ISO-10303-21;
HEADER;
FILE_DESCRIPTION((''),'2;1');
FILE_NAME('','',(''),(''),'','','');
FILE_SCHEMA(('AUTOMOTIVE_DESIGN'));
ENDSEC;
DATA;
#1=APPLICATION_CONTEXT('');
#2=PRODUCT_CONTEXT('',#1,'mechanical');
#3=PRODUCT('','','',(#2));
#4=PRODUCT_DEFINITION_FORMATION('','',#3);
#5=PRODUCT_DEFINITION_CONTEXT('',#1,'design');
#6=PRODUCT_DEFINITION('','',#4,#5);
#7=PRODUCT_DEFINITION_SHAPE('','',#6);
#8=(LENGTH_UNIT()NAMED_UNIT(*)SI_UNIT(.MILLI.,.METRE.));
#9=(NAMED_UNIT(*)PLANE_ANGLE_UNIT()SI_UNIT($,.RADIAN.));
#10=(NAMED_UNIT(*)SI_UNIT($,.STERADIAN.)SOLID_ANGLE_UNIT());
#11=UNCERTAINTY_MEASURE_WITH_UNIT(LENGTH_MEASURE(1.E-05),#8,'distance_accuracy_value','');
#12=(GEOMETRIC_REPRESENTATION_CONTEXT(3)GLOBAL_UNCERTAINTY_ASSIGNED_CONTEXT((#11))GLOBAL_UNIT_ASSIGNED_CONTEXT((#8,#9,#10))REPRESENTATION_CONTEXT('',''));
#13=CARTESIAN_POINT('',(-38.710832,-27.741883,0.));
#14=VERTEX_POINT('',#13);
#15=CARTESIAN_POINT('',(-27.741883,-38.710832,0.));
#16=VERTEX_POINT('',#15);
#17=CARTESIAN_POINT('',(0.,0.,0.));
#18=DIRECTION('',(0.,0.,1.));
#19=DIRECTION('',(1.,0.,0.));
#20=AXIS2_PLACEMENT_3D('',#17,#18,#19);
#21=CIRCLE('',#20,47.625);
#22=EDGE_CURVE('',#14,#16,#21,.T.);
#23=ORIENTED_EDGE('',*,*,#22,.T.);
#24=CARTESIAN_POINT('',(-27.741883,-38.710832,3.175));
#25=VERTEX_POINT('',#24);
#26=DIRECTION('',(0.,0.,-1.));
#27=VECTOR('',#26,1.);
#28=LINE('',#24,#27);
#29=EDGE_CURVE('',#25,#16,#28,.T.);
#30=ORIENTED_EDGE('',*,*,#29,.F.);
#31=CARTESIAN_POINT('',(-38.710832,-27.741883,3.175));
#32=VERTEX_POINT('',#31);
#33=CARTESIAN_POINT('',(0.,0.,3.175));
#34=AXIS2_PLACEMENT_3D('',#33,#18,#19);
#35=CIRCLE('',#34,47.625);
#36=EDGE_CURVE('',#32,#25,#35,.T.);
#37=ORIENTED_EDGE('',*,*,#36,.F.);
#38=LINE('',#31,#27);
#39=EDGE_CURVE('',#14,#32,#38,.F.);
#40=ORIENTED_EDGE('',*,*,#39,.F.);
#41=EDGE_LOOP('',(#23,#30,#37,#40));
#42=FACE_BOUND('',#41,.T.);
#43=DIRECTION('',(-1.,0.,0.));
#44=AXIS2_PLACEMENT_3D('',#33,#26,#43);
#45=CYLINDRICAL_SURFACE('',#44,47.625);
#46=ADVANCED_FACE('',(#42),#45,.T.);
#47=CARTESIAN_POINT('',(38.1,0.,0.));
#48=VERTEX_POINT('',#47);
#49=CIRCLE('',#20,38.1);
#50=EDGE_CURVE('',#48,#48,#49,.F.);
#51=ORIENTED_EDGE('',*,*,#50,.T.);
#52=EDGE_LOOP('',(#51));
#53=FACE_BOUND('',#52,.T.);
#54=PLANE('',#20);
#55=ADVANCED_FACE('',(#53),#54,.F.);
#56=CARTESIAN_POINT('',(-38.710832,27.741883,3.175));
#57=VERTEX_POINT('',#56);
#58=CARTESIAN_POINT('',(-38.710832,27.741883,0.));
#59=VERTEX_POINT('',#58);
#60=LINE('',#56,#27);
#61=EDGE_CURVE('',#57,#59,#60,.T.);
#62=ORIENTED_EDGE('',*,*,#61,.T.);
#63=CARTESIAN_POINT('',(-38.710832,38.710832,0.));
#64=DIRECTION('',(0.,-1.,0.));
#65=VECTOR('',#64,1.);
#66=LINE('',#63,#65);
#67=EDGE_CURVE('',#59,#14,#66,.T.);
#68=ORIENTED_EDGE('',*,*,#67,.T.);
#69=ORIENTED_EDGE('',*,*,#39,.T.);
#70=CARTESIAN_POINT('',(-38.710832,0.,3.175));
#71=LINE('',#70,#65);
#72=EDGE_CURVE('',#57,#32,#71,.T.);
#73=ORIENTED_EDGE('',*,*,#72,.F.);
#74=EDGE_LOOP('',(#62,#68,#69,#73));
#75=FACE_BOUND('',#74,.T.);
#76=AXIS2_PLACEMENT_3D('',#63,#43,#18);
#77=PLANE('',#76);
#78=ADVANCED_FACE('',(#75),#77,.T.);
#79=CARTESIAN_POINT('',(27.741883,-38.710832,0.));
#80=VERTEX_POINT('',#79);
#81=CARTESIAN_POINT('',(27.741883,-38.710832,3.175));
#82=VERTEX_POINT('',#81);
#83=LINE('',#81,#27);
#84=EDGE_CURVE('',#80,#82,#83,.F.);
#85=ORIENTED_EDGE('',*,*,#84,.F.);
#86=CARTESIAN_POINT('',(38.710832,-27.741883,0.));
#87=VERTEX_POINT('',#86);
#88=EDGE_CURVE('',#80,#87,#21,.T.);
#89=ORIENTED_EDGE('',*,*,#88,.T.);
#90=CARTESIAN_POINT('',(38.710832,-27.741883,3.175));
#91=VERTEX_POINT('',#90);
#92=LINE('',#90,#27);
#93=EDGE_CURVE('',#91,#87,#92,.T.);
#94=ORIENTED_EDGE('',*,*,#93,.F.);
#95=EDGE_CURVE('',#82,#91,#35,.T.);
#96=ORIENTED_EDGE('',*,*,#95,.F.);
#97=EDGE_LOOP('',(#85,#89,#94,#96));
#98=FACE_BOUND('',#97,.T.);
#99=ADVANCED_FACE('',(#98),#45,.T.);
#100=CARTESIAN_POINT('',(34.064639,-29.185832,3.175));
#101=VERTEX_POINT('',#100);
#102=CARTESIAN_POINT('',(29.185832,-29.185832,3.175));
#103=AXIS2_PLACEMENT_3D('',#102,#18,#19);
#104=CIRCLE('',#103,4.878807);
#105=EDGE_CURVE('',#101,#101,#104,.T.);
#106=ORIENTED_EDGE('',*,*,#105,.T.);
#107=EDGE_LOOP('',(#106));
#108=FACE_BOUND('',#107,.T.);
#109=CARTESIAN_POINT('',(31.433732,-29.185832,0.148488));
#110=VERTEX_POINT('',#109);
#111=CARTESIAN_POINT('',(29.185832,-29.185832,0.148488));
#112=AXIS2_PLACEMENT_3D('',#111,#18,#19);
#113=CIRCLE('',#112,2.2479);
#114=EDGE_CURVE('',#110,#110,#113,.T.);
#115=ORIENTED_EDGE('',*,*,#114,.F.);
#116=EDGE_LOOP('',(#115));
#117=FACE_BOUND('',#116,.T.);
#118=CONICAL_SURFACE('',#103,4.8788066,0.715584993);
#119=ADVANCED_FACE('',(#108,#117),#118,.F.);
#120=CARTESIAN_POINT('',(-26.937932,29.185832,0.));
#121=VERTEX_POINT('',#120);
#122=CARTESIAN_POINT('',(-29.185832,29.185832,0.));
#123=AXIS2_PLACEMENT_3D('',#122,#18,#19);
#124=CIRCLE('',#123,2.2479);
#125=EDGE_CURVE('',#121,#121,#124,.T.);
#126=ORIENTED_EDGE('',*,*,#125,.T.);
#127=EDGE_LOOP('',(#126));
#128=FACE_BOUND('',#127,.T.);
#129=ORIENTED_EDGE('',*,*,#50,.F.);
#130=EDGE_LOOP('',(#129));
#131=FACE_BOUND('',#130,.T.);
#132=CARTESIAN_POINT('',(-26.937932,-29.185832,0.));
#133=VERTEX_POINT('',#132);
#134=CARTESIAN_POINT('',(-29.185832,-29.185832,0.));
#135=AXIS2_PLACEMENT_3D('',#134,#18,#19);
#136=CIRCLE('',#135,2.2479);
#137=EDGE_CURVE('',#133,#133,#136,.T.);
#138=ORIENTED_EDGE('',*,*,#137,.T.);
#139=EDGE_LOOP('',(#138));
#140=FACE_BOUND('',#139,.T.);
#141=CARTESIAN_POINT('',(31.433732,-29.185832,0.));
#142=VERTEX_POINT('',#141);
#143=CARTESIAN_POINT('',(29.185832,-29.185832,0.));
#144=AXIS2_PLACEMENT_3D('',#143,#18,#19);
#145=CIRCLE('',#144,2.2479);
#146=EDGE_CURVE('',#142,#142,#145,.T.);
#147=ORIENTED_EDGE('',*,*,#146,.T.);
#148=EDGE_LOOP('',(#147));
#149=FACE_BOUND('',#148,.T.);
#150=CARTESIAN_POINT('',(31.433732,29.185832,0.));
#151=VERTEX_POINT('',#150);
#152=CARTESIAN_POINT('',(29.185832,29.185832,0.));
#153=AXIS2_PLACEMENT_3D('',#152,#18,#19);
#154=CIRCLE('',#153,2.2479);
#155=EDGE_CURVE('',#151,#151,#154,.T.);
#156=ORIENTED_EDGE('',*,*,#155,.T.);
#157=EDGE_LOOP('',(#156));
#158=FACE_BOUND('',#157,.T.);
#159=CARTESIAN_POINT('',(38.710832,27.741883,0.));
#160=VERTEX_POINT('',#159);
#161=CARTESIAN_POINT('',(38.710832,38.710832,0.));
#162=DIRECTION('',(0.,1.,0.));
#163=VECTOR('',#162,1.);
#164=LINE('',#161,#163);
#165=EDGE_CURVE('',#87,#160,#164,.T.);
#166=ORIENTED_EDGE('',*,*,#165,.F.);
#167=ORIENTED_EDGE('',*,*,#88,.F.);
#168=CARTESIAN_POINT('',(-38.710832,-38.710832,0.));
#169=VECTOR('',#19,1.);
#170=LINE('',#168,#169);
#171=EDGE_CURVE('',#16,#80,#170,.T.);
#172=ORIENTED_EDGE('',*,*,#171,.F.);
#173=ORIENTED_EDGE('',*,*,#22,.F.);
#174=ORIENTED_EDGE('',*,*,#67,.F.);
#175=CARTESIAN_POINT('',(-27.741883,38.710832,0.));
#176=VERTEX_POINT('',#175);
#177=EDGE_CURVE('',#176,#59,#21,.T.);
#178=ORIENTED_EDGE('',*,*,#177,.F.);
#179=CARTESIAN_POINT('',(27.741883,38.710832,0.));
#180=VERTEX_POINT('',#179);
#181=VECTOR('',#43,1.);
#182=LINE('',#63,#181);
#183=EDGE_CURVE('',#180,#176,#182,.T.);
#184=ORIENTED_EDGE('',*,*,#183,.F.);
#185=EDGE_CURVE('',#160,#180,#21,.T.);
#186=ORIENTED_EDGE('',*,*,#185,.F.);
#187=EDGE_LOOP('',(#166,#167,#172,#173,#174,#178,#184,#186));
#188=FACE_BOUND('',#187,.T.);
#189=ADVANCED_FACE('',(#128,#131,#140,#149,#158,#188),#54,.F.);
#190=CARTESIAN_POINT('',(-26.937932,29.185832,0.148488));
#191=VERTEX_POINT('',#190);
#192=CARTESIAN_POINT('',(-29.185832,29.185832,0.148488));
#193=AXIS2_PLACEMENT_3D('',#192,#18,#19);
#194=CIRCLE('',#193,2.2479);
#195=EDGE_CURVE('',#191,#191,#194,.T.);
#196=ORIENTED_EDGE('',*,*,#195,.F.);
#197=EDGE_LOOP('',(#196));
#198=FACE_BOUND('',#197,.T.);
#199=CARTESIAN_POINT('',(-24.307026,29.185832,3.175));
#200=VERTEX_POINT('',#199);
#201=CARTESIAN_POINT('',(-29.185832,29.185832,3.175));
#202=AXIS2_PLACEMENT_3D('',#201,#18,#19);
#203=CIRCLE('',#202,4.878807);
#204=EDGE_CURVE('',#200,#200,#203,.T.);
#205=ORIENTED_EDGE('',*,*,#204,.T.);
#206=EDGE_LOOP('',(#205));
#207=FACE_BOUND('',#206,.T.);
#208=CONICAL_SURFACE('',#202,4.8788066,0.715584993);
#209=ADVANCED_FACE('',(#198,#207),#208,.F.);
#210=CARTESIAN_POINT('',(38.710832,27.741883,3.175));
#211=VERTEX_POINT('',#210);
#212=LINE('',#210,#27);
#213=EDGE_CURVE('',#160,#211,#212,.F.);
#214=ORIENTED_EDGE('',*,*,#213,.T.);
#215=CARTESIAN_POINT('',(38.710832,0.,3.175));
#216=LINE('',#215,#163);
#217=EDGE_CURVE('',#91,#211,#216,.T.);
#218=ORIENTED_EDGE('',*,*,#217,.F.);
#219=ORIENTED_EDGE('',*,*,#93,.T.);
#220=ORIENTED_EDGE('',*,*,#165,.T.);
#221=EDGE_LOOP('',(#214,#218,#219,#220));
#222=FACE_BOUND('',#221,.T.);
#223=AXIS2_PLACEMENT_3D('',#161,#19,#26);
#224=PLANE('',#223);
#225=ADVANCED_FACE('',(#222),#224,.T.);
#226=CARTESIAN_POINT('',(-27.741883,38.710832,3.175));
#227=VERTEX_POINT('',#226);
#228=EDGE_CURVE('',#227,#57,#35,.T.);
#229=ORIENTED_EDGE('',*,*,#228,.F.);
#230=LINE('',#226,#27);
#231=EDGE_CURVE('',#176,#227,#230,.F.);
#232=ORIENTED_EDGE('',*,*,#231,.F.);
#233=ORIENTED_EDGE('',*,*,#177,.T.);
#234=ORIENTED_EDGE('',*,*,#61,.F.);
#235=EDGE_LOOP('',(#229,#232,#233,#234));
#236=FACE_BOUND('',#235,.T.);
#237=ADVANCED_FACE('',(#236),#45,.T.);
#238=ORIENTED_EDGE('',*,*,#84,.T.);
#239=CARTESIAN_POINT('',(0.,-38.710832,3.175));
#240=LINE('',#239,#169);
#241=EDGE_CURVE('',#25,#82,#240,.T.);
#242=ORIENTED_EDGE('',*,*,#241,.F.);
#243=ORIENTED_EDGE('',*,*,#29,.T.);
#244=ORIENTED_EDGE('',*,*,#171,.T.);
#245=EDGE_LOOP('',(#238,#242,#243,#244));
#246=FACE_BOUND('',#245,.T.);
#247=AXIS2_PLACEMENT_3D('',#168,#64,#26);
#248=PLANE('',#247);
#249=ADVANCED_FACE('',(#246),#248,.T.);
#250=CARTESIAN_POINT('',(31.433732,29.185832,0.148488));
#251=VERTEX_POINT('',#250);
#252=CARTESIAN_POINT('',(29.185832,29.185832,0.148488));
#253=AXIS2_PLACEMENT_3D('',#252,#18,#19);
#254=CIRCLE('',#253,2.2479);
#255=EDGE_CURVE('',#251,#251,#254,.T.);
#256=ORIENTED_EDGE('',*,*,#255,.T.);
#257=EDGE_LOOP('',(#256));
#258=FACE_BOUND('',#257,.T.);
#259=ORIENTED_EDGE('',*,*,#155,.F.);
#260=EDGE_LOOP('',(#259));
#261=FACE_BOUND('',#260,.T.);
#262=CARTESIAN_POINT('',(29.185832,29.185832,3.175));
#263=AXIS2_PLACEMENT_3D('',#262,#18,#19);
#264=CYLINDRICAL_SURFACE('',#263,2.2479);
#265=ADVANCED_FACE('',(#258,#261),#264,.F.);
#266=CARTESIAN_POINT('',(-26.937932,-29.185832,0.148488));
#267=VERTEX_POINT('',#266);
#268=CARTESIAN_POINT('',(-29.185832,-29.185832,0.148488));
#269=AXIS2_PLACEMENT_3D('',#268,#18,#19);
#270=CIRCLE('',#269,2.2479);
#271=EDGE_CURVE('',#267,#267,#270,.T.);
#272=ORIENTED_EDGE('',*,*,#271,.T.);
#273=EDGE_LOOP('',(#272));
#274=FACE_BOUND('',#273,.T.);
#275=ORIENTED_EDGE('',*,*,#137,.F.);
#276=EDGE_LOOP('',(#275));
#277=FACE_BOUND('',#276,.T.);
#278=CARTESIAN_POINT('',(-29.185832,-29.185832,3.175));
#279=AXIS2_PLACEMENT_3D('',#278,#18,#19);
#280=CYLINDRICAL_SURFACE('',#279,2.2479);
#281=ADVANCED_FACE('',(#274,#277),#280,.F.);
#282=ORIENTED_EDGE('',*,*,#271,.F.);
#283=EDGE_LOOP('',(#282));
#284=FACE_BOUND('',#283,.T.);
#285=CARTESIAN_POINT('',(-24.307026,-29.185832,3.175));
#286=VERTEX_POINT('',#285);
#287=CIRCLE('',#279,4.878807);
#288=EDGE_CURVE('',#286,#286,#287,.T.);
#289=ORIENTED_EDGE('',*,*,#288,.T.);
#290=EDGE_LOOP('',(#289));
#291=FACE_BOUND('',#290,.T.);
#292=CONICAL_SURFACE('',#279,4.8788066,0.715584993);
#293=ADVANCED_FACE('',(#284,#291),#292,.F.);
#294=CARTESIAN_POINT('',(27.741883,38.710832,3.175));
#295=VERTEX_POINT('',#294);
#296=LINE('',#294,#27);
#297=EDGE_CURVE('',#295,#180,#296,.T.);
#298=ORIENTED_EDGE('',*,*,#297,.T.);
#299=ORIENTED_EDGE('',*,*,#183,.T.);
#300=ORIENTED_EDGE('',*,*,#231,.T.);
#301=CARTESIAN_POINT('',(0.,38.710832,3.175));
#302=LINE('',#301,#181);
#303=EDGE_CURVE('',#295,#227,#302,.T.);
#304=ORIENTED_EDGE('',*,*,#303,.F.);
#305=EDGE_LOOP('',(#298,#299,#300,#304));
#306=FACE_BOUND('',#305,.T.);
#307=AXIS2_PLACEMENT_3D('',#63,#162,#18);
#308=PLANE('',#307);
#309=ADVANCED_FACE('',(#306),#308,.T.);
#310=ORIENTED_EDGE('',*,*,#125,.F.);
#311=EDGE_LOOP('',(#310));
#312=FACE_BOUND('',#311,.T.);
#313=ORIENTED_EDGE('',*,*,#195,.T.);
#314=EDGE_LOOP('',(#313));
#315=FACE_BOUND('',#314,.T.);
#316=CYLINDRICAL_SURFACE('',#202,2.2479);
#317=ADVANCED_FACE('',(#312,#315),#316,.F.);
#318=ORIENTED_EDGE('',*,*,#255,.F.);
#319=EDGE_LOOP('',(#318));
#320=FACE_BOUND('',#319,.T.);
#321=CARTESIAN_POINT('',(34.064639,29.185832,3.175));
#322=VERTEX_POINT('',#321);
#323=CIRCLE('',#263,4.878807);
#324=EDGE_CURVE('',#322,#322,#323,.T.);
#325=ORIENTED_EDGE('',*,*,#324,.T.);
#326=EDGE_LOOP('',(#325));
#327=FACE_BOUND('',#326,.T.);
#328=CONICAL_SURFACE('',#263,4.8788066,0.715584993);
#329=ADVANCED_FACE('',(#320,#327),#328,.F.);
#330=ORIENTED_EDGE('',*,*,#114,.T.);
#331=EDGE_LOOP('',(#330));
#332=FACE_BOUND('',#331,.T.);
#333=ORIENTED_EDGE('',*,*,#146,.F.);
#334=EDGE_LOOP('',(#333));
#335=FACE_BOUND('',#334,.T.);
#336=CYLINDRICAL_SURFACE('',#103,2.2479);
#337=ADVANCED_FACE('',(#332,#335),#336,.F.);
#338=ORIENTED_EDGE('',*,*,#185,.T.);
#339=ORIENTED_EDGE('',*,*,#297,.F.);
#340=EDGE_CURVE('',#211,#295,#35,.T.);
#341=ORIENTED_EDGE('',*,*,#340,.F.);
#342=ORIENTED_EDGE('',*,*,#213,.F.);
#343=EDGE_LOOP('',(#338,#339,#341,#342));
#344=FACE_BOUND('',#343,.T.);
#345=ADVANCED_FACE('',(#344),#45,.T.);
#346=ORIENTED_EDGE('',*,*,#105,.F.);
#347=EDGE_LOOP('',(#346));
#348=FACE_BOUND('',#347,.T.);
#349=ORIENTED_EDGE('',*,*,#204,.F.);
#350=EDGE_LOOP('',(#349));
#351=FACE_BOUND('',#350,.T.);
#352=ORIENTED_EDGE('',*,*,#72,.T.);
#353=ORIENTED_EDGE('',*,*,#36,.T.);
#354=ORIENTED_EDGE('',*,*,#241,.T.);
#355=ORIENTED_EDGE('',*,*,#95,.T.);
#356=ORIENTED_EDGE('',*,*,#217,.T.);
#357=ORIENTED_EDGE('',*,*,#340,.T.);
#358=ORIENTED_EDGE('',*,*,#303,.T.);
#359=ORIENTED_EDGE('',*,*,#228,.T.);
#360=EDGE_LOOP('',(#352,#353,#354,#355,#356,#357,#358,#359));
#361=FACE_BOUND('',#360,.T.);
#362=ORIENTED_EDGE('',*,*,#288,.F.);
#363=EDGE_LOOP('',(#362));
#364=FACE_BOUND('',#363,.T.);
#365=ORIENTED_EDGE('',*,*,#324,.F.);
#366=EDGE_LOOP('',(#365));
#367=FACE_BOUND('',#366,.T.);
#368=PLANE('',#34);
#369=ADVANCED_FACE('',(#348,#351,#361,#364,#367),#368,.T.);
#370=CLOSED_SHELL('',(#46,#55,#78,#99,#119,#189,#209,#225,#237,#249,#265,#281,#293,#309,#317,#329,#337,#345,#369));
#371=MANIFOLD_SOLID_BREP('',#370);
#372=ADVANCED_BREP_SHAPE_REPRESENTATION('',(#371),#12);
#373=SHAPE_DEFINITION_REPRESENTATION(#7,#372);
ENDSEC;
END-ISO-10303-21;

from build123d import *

# Parameters (mm, degrees)
SKETCH1_R           = 47.625
BOSS_EXTRUDE1_DEPTH = 3.175
CIRPATTERN1_COUNT   = 4
SKETCH6_OUTSIDE_W   = 124.198
SKETCH6_OUTSIDE_H   = 124.198
SKETCH6_OUTSIDE_W_2 = 77.421664786
SKETCH6_OUTSIDE_H_2 = 77.421664786
CUT_EXTRUDE2_DEPTH  = 68.426714847


with BuildPart() as part:
    # Sketch1 → Boss-Extrude1 (new body)
    with BuildSketch(Plane.XY):
        Circle(SKETCH1_R)
    extrude(amount=BOSS_EXTRUDE1_DEPTH)

    # Sketch3 → CSK for #8 Flat Head Machine Screw1 (revolve, cut)
    with BuildSketch(Plane(origin=(29.185832393, 29.185832393, 3.175), x_dir=(0, -1, 0), z_dir=(1, 0, 0))):
        Polygon((0, 0), (0, 3.175), (2.2479, 3.175), (2.2479, 3.026511835), (4.8788066, 0), align=None)
    csk_for_8_flat_head_machine_screw1 = revolve(axis=Axis((29.185832393, 29.185832393, 9.525), (0, 0, -1)), mode=Mode.SUBTRACT)

    # CirPattern1: CSK for #8 Flat Head Machine Screw1 ×4 about axis
    cirpattern1_axis = Axis((0, 0, 0), (0, 0, 1))
    for i in range(1, CIRPATTERN1_COUNT):
        add(csk_for_8_flat_head_machine_screw1.rotate(cirpattern1_axis, i * 360 / CIRPATTERN1_COUNT), mode=Mode.SUBTRACT)

    # Sketch6 outside → Cut-Extrude2 (cut, through all)
    with BuildSketch(Plane.XY.offset(3.175)):
        Rectangle(SKETCH6_OUTSIDE_W, SKETCH6_OUTSIDE_H)
        Rectangle(SKETCH6_OUTSIDE_W_2, SKETCH6_OUTSIDE_H_2, mode=Mode.SUBTRACT)
    extrude(amount=-CUT_EXTRUDE2_DEPTH, mode=Mode.SUBTRACT)


solid = part.part
